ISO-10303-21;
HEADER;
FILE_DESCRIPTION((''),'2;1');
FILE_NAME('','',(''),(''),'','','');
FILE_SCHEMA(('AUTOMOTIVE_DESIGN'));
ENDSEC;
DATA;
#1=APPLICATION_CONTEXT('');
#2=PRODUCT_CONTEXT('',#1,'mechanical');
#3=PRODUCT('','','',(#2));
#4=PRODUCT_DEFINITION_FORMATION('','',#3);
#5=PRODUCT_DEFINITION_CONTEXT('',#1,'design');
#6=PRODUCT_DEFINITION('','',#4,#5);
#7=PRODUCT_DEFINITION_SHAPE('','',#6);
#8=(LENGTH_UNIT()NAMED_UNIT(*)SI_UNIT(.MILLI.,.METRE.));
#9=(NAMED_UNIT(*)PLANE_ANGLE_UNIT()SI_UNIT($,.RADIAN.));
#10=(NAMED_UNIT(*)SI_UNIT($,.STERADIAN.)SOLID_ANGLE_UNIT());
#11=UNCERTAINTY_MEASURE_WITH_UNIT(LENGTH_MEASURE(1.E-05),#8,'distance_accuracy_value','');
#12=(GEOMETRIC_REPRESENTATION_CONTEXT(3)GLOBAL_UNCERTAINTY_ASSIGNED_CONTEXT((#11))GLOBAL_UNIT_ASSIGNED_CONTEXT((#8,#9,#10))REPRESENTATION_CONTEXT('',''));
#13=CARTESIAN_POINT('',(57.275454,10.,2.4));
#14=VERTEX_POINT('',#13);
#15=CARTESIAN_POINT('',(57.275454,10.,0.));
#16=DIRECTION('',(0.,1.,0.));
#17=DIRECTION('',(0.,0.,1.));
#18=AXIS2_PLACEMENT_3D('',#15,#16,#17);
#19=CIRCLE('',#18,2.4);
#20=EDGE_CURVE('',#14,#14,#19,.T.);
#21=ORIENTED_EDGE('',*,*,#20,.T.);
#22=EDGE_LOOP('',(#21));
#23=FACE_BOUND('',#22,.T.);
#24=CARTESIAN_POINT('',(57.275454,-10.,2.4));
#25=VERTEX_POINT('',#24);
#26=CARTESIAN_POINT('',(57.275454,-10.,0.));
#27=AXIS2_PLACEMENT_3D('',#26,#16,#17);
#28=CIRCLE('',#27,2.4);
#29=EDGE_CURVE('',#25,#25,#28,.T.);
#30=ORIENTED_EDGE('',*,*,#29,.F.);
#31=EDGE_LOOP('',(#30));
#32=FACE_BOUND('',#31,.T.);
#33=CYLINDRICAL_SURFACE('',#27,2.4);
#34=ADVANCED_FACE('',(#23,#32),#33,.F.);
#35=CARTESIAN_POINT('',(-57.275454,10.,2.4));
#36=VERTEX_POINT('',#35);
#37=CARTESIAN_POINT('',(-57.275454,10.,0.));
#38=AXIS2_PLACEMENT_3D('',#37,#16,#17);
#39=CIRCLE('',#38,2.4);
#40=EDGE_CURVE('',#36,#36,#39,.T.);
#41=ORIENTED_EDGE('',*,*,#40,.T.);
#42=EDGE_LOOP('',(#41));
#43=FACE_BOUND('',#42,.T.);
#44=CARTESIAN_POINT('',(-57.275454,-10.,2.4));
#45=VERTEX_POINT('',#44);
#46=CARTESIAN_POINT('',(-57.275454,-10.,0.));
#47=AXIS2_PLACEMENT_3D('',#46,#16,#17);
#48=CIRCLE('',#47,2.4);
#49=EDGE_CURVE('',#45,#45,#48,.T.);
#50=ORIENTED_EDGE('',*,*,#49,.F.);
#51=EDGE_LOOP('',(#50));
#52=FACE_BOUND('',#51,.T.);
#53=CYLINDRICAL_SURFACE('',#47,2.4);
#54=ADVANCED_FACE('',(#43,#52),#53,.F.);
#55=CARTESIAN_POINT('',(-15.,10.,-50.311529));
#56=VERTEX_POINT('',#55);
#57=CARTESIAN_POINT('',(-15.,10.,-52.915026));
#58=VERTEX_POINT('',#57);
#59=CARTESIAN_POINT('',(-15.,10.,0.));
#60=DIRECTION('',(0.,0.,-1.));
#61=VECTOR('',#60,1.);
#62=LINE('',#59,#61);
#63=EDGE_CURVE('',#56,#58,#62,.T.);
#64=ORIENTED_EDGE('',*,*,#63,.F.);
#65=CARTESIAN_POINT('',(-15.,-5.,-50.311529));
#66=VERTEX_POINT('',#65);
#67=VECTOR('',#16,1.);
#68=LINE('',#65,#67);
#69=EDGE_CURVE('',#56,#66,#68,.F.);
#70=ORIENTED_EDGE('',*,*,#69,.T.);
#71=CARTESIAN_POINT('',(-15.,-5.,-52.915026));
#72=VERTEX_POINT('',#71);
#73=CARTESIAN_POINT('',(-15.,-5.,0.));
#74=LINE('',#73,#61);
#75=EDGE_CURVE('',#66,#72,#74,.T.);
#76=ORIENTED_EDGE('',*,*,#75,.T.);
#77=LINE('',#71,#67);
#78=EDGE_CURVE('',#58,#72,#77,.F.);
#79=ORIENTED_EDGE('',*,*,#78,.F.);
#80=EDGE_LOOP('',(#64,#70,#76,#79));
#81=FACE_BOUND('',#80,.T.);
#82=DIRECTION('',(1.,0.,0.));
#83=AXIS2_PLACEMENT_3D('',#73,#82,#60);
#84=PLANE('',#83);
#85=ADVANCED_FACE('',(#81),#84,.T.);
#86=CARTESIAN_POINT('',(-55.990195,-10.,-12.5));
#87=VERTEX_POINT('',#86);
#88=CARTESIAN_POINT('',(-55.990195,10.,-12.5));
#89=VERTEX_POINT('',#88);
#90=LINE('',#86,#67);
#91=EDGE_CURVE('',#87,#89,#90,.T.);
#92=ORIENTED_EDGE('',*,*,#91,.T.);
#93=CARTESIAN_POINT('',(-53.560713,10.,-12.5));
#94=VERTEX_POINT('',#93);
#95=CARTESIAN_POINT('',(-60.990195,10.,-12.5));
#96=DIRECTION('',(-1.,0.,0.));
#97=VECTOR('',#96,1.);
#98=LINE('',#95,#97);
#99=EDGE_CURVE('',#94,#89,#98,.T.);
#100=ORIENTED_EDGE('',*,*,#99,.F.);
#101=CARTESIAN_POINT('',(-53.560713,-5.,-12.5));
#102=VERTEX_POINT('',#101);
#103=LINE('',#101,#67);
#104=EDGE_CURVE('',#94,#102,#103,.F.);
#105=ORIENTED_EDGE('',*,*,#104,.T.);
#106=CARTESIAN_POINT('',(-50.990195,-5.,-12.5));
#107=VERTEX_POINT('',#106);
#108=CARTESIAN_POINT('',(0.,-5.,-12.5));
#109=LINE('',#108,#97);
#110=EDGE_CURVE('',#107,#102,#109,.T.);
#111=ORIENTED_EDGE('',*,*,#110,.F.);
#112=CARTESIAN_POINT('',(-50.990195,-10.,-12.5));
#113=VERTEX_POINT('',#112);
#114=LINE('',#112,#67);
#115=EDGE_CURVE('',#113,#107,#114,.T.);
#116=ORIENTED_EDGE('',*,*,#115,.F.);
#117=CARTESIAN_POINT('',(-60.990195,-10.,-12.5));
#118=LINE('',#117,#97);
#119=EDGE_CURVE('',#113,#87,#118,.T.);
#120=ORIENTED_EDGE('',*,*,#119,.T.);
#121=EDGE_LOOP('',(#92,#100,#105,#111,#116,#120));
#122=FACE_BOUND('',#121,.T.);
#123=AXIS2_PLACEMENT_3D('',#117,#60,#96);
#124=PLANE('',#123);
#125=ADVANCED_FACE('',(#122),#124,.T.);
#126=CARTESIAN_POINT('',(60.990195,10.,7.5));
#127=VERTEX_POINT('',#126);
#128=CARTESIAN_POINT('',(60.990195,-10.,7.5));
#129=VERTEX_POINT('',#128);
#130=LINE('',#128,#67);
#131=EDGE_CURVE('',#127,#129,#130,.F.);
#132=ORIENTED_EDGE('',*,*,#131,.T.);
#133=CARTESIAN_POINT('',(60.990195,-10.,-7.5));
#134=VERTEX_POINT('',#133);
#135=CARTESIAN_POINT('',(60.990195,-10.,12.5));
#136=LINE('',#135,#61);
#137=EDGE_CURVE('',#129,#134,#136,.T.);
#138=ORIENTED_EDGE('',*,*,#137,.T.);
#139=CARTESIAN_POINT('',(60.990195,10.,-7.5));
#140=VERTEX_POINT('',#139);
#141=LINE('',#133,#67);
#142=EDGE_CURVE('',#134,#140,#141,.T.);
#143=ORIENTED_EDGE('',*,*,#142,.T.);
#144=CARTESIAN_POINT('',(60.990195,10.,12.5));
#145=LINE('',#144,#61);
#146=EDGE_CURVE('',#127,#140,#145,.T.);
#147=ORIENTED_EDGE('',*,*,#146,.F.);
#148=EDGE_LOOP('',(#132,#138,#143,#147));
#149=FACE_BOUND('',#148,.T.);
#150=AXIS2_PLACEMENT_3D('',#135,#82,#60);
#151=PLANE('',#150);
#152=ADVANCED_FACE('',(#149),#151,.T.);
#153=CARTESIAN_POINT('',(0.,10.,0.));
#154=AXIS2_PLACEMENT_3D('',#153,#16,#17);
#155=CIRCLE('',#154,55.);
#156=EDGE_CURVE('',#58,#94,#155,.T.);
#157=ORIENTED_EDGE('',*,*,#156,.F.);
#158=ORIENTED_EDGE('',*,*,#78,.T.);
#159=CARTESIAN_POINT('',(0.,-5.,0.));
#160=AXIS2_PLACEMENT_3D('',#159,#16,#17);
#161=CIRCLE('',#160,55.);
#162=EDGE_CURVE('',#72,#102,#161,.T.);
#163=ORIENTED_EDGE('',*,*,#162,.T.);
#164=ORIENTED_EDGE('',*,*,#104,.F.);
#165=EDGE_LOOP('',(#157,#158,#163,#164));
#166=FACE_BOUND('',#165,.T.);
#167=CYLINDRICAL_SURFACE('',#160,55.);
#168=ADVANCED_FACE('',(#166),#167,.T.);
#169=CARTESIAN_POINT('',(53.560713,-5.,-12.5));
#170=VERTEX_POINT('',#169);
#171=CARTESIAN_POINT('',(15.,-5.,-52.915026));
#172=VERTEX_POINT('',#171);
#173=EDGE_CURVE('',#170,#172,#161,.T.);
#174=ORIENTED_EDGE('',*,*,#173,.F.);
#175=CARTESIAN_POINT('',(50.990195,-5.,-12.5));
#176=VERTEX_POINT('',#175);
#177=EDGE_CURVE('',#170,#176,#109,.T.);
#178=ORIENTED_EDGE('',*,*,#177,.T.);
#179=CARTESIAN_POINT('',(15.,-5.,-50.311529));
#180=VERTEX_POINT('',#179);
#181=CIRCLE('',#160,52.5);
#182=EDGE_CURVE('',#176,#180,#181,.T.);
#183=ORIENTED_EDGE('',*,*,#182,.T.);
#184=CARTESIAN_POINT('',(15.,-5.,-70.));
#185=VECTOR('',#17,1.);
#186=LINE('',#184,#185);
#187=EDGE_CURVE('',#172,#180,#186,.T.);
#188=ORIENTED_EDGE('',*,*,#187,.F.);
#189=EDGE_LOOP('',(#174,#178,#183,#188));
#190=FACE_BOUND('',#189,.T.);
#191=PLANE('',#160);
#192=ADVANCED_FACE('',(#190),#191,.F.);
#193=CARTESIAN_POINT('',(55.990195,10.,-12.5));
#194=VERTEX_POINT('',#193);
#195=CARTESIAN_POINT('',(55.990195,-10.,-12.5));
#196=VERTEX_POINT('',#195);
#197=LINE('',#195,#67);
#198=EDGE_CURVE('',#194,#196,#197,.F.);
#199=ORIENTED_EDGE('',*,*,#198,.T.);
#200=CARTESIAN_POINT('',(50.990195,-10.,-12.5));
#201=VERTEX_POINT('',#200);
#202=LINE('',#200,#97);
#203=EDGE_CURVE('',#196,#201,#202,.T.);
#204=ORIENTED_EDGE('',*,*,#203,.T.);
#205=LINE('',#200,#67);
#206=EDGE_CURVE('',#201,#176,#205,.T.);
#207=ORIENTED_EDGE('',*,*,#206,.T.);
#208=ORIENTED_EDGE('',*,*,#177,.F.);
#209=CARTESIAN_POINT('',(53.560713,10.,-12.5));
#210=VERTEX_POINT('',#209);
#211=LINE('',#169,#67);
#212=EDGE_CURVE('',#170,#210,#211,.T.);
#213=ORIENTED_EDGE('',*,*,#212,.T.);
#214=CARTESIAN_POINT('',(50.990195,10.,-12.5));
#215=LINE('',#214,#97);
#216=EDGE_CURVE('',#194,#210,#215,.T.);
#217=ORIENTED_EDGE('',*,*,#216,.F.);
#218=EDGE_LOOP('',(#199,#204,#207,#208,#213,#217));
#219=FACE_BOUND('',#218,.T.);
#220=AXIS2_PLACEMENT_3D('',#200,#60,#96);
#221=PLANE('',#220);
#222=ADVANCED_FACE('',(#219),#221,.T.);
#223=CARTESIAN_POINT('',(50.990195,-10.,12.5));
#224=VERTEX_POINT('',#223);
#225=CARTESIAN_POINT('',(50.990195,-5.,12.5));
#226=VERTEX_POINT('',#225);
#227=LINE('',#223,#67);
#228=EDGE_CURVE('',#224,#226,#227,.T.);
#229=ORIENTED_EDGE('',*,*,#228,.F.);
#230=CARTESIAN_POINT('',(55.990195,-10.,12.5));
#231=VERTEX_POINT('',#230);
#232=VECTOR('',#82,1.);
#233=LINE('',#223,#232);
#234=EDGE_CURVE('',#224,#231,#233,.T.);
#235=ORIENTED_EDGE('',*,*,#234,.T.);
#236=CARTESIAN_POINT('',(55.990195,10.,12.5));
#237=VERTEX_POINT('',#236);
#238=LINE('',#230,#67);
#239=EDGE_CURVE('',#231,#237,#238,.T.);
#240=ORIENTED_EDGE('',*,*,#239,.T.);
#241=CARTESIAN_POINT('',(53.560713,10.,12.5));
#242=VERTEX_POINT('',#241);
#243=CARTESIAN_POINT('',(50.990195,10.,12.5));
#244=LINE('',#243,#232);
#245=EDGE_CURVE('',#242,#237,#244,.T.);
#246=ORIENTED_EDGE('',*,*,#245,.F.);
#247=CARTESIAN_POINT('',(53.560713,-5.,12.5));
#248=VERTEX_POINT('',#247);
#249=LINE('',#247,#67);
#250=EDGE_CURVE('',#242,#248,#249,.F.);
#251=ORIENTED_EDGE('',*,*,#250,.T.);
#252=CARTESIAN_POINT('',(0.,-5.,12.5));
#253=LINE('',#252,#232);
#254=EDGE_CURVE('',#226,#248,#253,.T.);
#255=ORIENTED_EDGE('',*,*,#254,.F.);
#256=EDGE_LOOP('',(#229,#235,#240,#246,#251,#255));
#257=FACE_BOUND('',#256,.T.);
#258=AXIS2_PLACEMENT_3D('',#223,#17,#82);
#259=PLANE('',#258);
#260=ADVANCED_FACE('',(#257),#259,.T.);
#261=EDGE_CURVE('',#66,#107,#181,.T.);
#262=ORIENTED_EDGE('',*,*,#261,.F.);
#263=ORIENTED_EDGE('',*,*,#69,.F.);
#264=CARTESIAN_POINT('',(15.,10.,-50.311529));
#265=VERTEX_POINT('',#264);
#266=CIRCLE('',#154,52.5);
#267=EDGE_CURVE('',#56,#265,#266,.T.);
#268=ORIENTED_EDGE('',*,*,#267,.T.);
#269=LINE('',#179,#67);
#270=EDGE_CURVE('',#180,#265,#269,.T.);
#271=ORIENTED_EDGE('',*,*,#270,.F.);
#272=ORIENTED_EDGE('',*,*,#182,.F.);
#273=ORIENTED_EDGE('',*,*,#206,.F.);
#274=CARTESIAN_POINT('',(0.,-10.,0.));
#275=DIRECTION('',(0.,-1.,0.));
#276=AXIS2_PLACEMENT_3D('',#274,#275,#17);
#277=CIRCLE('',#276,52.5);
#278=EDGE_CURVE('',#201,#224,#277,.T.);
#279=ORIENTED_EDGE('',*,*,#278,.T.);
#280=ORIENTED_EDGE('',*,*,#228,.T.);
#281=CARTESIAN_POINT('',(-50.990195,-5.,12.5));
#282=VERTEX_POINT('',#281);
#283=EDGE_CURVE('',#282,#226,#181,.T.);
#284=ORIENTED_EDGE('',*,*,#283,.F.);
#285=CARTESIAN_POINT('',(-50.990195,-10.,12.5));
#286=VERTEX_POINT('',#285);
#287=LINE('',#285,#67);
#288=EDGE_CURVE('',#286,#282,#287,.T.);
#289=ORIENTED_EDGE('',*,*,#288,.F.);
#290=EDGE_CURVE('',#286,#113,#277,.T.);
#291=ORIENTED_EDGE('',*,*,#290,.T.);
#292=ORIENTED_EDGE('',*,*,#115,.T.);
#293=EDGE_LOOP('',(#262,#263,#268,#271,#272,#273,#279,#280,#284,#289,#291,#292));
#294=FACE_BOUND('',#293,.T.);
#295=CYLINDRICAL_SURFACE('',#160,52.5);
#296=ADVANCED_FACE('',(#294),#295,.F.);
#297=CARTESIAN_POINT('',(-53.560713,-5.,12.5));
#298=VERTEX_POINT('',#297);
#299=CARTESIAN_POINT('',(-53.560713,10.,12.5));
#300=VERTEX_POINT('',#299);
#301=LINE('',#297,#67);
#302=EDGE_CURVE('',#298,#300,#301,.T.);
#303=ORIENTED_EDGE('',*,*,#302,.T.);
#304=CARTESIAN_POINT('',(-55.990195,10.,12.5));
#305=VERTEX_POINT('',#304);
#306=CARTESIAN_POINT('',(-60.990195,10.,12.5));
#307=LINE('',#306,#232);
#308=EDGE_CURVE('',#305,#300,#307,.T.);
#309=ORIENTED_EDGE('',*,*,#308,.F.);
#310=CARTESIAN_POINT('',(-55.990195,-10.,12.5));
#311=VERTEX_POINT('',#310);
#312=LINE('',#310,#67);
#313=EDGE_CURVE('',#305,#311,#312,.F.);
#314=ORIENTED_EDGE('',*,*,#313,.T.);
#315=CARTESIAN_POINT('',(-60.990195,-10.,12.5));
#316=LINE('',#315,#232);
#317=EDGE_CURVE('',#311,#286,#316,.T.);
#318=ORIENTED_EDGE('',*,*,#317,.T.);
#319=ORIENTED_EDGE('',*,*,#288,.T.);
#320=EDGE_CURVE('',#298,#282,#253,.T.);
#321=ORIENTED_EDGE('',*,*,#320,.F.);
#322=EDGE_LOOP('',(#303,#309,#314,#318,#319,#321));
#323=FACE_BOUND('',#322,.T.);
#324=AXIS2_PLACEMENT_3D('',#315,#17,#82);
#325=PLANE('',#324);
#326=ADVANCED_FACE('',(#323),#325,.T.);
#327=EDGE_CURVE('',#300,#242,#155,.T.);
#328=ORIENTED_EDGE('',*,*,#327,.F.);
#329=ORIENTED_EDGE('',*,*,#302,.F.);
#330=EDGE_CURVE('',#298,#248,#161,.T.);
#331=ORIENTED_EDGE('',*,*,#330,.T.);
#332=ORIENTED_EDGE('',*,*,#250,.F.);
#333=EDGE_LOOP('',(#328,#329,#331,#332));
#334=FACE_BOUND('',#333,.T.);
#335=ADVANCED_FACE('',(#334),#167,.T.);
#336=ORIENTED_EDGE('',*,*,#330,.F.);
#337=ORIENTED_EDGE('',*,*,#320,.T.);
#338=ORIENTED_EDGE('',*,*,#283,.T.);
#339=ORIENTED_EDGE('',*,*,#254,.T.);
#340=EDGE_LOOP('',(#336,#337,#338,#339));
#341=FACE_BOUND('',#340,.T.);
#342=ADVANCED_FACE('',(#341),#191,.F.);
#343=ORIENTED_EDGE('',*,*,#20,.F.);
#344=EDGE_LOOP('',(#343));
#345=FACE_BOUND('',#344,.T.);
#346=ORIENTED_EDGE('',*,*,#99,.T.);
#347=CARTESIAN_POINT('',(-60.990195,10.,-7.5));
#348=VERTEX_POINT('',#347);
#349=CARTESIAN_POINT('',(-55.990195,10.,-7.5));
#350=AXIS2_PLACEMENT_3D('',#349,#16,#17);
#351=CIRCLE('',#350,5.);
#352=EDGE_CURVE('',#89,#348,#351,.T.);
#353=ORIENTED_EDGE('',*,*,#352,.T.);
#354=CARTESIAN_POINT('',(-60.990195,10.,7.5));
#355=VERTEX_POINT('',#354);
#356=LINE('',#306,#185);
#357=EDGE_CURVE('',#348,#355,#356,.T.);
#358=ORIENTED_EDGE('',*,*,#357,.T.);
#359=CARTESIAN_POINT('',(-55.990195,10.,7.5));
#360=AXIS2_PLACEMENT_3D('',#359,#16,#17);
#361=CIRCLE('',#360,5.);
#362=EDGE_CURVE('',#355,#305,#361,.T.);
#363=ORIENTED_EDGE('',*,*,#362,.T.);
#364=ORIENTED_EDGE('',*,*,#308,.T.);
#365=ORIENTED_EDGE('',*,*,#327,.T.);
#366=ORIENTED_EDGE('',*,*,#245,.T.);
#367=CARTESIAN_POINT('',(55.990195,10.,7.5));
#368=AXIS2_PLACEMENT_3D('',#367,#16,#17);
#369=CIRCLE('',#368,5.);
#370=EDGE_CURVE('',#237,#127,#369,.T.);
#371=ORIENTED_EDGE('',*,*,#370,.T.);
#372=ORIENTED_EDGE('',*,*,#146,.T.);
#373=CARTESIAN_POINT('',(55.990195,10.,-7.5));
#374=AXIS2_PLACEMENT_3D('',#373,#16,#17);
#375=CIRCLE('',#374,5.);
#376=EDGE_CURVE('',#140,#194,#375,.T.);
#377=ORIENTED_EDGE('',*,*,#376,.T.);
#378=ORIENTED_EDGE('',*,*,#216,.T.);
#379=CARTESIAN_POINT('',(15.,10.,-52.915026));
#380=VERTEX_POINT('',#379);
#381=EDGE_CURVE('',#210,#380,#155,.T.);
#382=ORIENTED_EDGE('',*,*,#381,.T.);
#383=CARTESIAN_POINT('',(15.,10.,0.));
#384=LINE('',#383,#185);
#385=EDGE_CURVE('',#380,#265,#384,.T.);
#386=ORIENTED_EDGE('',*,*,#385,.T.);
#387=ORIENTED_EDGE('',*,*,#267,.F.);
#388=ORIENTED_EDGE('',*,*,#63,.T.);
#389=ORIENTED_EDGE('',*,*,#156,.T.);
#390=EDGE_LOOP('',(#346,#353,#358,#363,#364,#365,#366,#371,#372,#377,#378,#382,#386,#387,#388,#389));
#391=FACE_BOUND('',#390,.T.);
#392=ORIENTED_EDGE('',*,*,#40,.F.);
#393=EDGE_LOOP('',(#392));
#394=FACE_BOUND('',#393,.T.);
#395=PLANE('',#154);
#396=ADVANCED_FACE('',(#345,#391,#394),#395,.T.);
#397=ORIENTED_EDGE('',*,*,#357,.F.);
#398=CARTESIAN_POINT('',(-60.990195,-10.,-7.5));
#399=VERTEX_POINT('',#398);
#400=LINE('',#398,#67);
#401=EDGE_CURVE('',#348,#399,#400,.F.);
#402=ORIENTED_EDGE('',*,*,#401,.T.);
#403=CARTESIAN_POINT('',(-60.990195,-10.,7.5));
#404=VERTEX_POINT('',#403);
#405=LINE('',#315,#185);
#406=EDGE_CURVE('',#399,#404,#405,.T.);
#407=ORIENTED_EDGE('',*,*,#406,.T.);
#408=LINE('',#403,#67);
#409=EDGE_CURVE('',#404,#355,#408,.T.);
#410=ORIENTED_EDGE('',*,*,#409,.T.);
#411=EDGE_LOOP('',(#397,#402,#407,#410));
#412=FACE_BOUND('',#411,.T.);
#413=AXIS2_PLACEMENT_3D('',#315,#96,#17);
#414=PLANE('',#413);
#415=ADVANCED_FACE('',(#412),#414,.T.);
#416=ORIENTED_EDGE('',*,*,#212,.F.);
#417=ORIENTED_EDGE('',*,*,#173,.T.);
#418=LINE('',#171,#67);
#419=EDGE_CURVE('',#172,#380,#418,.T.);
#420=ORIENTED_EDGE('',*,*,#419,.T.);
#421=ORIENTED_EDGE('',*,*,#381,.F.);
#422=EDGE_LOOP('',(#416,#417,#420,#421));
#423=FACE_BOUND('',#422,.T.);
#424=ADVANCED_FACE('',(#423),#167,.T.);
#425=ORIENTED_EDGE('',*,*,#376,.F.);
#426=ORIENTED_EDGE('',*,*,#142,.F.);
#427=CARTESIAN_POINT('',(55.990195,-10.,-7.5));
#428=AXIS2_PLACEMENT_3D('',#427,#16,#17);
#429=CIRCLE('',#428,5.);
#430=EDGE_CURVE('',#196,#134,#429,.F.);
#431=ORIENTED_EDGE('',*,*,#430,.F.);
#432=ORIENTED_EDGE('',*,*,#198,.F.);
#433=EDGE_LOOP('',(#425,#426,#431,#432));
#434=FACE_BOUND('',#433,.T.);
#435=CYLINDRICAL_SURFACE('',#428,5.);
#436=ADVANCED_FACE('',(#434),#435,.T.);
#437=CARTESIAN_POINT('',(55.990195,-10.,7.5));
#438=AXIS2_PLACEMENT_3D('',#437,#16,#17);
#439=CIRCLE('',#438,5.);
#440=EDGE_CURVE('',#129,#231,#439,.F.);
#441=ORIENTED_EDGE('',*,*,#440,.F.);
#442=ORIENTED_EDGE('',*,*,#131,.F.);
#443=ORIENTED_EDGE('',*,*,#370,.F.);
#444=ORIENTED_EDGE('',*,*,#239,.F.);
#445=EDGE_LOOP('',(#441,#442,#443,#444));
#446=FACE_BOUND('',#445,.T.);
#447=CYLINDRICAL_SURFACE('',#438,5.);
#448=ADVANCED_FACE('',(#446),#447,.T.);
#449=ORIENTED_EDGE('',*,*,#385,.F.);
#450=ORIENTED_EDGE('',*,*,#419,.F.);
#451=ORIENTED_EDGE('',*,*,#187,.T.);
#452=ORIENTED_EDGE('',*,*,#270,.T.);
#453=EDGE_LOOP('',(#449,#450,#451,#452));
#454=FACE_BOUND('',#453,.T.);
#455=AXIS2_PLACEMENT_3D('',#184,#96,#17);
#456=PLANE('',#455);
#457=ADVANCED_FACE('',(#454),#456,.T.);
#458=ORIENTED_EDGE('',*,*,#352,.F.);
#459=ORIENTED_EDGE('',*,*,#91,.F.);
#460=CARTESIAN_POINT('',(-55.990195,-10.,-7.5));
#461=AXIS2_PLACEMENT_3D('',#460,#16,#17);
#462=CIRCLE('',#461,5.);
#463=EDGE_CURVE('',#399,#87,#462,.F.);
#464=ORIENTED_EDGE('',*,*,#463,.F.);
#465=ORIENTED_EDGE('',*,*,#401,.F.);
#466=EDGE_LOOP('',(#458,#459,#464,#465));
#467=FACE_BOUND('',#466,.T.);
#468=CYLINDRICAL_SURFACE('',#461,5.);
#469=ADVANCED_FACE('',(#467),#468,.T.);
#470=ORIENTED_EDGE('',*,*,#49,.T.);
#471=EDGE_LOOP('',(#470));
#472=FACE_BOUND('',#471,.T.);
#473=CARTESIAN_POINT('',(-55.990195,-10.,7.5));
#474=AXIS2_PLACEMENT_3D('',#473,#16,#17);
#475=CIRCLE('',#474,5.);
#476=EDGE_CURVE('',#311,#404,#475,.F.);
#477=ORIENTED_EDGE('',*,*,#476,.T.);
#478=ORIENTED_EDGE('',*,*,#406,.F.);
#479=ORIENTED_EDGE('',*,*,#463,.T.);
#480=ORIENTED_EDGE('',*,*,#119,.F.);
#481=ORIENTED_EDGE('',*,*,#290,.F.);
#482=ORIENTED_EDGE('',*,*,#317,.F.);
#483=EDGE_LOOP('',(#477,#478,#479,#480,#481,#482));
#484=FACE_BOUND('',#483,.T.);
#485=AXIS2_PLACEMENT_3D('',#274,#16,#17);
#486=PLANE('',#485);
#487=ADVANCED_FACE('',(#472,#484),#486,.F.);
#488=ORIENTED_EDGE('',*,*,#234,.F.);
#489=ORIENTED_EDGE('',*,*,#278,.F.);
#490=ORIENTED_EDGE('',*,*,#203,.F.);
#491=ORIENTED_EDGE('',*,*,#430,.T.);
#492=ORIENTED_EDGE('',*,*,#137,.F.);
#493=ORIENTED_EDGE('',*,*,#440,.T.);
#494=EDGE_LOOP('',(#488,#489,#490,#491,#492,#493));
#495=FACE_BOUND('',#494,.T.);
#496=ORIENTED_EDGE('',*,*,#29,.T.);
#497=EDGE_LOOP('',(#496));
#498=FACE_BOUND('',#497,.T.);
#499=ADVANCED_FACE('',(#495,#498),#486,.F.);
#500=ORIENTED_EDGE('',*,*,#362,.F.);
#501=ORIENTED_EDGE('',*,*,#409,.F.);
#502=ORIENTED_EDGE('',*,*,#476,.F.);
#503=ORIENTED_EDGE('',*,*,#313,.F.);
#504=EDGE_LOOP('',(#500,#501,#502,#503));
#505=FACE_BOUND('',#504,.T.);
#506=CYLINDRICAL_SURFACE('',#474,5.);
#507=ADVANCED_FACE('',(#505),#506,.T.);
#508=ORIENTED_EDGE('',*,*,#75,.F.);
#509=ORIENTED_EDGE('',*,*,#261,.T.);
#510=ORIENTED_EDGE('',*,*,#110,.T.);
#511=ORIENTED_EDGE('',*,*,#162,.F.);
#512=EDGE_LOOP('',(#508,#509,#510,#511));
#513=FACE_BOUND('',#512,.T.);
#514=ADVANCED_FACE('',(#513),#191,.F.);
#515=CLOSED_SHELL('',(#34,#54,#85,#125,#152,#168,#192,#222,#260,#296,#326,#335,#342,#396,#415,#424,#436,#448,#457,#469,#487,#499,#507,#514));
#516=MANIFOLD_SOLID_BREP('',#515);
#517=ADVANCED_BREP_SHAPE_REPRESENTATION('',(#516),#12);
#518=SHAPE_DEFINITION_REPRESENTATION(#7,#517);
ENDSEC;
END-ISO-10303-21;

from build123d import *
from build123d.topology import SkipClean

# Parameters (mm, degrees)
BOSS_EXTRUDE1_DEPTH      = 10
BOSS_EXTRUDE1_DEPTH_BACK = 5
SKETCH1_R                = 55
SKETCH1_R_2              = 52.5
CUT_EXTRUDE2_DEPTH       = 80.214898
BOSS_EXTRUDE4_START      = -20
BOSS_EXTRUDE4_DEPTH      = 20
SKETCH7_R                = 2.4
CUT_EXTRUDE4_DEPTH       = 85.526942
FILLET1_R                = 5


with BuildPart() as part:
    # Sketch1 → Boss-Extrude1 (new, two sides: drawn at the far end of the back side and taken through both)
    with BuildSketch(Plane(origin=(0, 0, 0), x_dir=(1, 0, 0), z_dir=(0, 1, 0)).offset(-BOSS_EXTRUDE1_DEPTH_BACK)):
        Circle(SKETCH1_R)
        Circle(SKETCH1_R_2, mode=Mode.SUBTRACT)
    extrude(amount=BOSS_EXTRUDE1_DEPTH + BOSS_EXTRUDE1_DEPTH_BACK)

    # Sketch2 → Cut-Extrude2 (cut, through all)
    with BuildSketch(Plane(origin=(0, 10, 0), x_dir=(1, 0, 0), z_dir=(0, 1, 0))):
        Polygon((0, 0), (-15, 0), (-15, 70), (15, 70), (15, 0), align=None)
    extrude(amount=-CUT_EXTRUDE2_DEPTH, mode=Mode.SUBTRACT)

    # Sketch6 → Boss-Extrude4 (add)
    with SkipClean():  # the faces are left unmerged after this step: merging them gives an invalid solid
        with BuildSketch(Plane(origin=(0, 10, 0), x_dir=(1, 0, 0), z_dir=(0, 1, 0)).offset(BOSS_EXTRUDE4_START)):
            with BuildLine():
                Line((50.990195, 12.5), (60.990195, 12.5))
                Line((60.990195, 12.5), (60.990195, -12.5))
                Line((60.990195, -12.5), (50.990195, -12.5))
                ThreePointArc((50.990195, -12.5), (52.5, 0), (50.990195, 12.5))
            make_face()
            with BuildLine():
                Line((-60.990195, -12.5), (-50.990195, -12.5))
                ThreePointArc((-50.990195, -12.5), (-52.5, 0), (-50.990195, 12.5))
                Line((-50.990195, 12.5), (-60.990195, 12.5))
                Line((-60.990195, 12.5), (-60.990195, -12.5))
            make_face()
        extrude(amount=BOSS_EXTRUDE4_DEPTH)

    # Sketch7 → Cut-Extrude4 (cut, through all)
    with SkipClean():  # the faces are left unmerged after this step: merging them gives an invalid solid
        with BuildSketch(Plane(origin=(0, 10, 0), x_dir=(1, 0, 0), z_dir=(0, 1, 0))):
            with Locations((-57.275454, 0)):
                Circle(SKETCH7_R)
            with Locations((57.275454, 0)):
                Circle(SKETCH7_R)
        extrude(amount=-CUT_EXTRUDE4_DEPTH, mode=Mode.SUBTRACT)

    # Fillet1
    fillet1_edges = [part.edges().sort_by_distance(p)[0] for p in [
        (60.990195, 0, -12.5),
        (60.990195, 0, 12.5),
        (-60.990195, 0, 12.5),
        (-60.990195, 0, -12.5),
    ]]
    fillet(fillet1_edges, radius=FILLET1_R)


solid = part.part
